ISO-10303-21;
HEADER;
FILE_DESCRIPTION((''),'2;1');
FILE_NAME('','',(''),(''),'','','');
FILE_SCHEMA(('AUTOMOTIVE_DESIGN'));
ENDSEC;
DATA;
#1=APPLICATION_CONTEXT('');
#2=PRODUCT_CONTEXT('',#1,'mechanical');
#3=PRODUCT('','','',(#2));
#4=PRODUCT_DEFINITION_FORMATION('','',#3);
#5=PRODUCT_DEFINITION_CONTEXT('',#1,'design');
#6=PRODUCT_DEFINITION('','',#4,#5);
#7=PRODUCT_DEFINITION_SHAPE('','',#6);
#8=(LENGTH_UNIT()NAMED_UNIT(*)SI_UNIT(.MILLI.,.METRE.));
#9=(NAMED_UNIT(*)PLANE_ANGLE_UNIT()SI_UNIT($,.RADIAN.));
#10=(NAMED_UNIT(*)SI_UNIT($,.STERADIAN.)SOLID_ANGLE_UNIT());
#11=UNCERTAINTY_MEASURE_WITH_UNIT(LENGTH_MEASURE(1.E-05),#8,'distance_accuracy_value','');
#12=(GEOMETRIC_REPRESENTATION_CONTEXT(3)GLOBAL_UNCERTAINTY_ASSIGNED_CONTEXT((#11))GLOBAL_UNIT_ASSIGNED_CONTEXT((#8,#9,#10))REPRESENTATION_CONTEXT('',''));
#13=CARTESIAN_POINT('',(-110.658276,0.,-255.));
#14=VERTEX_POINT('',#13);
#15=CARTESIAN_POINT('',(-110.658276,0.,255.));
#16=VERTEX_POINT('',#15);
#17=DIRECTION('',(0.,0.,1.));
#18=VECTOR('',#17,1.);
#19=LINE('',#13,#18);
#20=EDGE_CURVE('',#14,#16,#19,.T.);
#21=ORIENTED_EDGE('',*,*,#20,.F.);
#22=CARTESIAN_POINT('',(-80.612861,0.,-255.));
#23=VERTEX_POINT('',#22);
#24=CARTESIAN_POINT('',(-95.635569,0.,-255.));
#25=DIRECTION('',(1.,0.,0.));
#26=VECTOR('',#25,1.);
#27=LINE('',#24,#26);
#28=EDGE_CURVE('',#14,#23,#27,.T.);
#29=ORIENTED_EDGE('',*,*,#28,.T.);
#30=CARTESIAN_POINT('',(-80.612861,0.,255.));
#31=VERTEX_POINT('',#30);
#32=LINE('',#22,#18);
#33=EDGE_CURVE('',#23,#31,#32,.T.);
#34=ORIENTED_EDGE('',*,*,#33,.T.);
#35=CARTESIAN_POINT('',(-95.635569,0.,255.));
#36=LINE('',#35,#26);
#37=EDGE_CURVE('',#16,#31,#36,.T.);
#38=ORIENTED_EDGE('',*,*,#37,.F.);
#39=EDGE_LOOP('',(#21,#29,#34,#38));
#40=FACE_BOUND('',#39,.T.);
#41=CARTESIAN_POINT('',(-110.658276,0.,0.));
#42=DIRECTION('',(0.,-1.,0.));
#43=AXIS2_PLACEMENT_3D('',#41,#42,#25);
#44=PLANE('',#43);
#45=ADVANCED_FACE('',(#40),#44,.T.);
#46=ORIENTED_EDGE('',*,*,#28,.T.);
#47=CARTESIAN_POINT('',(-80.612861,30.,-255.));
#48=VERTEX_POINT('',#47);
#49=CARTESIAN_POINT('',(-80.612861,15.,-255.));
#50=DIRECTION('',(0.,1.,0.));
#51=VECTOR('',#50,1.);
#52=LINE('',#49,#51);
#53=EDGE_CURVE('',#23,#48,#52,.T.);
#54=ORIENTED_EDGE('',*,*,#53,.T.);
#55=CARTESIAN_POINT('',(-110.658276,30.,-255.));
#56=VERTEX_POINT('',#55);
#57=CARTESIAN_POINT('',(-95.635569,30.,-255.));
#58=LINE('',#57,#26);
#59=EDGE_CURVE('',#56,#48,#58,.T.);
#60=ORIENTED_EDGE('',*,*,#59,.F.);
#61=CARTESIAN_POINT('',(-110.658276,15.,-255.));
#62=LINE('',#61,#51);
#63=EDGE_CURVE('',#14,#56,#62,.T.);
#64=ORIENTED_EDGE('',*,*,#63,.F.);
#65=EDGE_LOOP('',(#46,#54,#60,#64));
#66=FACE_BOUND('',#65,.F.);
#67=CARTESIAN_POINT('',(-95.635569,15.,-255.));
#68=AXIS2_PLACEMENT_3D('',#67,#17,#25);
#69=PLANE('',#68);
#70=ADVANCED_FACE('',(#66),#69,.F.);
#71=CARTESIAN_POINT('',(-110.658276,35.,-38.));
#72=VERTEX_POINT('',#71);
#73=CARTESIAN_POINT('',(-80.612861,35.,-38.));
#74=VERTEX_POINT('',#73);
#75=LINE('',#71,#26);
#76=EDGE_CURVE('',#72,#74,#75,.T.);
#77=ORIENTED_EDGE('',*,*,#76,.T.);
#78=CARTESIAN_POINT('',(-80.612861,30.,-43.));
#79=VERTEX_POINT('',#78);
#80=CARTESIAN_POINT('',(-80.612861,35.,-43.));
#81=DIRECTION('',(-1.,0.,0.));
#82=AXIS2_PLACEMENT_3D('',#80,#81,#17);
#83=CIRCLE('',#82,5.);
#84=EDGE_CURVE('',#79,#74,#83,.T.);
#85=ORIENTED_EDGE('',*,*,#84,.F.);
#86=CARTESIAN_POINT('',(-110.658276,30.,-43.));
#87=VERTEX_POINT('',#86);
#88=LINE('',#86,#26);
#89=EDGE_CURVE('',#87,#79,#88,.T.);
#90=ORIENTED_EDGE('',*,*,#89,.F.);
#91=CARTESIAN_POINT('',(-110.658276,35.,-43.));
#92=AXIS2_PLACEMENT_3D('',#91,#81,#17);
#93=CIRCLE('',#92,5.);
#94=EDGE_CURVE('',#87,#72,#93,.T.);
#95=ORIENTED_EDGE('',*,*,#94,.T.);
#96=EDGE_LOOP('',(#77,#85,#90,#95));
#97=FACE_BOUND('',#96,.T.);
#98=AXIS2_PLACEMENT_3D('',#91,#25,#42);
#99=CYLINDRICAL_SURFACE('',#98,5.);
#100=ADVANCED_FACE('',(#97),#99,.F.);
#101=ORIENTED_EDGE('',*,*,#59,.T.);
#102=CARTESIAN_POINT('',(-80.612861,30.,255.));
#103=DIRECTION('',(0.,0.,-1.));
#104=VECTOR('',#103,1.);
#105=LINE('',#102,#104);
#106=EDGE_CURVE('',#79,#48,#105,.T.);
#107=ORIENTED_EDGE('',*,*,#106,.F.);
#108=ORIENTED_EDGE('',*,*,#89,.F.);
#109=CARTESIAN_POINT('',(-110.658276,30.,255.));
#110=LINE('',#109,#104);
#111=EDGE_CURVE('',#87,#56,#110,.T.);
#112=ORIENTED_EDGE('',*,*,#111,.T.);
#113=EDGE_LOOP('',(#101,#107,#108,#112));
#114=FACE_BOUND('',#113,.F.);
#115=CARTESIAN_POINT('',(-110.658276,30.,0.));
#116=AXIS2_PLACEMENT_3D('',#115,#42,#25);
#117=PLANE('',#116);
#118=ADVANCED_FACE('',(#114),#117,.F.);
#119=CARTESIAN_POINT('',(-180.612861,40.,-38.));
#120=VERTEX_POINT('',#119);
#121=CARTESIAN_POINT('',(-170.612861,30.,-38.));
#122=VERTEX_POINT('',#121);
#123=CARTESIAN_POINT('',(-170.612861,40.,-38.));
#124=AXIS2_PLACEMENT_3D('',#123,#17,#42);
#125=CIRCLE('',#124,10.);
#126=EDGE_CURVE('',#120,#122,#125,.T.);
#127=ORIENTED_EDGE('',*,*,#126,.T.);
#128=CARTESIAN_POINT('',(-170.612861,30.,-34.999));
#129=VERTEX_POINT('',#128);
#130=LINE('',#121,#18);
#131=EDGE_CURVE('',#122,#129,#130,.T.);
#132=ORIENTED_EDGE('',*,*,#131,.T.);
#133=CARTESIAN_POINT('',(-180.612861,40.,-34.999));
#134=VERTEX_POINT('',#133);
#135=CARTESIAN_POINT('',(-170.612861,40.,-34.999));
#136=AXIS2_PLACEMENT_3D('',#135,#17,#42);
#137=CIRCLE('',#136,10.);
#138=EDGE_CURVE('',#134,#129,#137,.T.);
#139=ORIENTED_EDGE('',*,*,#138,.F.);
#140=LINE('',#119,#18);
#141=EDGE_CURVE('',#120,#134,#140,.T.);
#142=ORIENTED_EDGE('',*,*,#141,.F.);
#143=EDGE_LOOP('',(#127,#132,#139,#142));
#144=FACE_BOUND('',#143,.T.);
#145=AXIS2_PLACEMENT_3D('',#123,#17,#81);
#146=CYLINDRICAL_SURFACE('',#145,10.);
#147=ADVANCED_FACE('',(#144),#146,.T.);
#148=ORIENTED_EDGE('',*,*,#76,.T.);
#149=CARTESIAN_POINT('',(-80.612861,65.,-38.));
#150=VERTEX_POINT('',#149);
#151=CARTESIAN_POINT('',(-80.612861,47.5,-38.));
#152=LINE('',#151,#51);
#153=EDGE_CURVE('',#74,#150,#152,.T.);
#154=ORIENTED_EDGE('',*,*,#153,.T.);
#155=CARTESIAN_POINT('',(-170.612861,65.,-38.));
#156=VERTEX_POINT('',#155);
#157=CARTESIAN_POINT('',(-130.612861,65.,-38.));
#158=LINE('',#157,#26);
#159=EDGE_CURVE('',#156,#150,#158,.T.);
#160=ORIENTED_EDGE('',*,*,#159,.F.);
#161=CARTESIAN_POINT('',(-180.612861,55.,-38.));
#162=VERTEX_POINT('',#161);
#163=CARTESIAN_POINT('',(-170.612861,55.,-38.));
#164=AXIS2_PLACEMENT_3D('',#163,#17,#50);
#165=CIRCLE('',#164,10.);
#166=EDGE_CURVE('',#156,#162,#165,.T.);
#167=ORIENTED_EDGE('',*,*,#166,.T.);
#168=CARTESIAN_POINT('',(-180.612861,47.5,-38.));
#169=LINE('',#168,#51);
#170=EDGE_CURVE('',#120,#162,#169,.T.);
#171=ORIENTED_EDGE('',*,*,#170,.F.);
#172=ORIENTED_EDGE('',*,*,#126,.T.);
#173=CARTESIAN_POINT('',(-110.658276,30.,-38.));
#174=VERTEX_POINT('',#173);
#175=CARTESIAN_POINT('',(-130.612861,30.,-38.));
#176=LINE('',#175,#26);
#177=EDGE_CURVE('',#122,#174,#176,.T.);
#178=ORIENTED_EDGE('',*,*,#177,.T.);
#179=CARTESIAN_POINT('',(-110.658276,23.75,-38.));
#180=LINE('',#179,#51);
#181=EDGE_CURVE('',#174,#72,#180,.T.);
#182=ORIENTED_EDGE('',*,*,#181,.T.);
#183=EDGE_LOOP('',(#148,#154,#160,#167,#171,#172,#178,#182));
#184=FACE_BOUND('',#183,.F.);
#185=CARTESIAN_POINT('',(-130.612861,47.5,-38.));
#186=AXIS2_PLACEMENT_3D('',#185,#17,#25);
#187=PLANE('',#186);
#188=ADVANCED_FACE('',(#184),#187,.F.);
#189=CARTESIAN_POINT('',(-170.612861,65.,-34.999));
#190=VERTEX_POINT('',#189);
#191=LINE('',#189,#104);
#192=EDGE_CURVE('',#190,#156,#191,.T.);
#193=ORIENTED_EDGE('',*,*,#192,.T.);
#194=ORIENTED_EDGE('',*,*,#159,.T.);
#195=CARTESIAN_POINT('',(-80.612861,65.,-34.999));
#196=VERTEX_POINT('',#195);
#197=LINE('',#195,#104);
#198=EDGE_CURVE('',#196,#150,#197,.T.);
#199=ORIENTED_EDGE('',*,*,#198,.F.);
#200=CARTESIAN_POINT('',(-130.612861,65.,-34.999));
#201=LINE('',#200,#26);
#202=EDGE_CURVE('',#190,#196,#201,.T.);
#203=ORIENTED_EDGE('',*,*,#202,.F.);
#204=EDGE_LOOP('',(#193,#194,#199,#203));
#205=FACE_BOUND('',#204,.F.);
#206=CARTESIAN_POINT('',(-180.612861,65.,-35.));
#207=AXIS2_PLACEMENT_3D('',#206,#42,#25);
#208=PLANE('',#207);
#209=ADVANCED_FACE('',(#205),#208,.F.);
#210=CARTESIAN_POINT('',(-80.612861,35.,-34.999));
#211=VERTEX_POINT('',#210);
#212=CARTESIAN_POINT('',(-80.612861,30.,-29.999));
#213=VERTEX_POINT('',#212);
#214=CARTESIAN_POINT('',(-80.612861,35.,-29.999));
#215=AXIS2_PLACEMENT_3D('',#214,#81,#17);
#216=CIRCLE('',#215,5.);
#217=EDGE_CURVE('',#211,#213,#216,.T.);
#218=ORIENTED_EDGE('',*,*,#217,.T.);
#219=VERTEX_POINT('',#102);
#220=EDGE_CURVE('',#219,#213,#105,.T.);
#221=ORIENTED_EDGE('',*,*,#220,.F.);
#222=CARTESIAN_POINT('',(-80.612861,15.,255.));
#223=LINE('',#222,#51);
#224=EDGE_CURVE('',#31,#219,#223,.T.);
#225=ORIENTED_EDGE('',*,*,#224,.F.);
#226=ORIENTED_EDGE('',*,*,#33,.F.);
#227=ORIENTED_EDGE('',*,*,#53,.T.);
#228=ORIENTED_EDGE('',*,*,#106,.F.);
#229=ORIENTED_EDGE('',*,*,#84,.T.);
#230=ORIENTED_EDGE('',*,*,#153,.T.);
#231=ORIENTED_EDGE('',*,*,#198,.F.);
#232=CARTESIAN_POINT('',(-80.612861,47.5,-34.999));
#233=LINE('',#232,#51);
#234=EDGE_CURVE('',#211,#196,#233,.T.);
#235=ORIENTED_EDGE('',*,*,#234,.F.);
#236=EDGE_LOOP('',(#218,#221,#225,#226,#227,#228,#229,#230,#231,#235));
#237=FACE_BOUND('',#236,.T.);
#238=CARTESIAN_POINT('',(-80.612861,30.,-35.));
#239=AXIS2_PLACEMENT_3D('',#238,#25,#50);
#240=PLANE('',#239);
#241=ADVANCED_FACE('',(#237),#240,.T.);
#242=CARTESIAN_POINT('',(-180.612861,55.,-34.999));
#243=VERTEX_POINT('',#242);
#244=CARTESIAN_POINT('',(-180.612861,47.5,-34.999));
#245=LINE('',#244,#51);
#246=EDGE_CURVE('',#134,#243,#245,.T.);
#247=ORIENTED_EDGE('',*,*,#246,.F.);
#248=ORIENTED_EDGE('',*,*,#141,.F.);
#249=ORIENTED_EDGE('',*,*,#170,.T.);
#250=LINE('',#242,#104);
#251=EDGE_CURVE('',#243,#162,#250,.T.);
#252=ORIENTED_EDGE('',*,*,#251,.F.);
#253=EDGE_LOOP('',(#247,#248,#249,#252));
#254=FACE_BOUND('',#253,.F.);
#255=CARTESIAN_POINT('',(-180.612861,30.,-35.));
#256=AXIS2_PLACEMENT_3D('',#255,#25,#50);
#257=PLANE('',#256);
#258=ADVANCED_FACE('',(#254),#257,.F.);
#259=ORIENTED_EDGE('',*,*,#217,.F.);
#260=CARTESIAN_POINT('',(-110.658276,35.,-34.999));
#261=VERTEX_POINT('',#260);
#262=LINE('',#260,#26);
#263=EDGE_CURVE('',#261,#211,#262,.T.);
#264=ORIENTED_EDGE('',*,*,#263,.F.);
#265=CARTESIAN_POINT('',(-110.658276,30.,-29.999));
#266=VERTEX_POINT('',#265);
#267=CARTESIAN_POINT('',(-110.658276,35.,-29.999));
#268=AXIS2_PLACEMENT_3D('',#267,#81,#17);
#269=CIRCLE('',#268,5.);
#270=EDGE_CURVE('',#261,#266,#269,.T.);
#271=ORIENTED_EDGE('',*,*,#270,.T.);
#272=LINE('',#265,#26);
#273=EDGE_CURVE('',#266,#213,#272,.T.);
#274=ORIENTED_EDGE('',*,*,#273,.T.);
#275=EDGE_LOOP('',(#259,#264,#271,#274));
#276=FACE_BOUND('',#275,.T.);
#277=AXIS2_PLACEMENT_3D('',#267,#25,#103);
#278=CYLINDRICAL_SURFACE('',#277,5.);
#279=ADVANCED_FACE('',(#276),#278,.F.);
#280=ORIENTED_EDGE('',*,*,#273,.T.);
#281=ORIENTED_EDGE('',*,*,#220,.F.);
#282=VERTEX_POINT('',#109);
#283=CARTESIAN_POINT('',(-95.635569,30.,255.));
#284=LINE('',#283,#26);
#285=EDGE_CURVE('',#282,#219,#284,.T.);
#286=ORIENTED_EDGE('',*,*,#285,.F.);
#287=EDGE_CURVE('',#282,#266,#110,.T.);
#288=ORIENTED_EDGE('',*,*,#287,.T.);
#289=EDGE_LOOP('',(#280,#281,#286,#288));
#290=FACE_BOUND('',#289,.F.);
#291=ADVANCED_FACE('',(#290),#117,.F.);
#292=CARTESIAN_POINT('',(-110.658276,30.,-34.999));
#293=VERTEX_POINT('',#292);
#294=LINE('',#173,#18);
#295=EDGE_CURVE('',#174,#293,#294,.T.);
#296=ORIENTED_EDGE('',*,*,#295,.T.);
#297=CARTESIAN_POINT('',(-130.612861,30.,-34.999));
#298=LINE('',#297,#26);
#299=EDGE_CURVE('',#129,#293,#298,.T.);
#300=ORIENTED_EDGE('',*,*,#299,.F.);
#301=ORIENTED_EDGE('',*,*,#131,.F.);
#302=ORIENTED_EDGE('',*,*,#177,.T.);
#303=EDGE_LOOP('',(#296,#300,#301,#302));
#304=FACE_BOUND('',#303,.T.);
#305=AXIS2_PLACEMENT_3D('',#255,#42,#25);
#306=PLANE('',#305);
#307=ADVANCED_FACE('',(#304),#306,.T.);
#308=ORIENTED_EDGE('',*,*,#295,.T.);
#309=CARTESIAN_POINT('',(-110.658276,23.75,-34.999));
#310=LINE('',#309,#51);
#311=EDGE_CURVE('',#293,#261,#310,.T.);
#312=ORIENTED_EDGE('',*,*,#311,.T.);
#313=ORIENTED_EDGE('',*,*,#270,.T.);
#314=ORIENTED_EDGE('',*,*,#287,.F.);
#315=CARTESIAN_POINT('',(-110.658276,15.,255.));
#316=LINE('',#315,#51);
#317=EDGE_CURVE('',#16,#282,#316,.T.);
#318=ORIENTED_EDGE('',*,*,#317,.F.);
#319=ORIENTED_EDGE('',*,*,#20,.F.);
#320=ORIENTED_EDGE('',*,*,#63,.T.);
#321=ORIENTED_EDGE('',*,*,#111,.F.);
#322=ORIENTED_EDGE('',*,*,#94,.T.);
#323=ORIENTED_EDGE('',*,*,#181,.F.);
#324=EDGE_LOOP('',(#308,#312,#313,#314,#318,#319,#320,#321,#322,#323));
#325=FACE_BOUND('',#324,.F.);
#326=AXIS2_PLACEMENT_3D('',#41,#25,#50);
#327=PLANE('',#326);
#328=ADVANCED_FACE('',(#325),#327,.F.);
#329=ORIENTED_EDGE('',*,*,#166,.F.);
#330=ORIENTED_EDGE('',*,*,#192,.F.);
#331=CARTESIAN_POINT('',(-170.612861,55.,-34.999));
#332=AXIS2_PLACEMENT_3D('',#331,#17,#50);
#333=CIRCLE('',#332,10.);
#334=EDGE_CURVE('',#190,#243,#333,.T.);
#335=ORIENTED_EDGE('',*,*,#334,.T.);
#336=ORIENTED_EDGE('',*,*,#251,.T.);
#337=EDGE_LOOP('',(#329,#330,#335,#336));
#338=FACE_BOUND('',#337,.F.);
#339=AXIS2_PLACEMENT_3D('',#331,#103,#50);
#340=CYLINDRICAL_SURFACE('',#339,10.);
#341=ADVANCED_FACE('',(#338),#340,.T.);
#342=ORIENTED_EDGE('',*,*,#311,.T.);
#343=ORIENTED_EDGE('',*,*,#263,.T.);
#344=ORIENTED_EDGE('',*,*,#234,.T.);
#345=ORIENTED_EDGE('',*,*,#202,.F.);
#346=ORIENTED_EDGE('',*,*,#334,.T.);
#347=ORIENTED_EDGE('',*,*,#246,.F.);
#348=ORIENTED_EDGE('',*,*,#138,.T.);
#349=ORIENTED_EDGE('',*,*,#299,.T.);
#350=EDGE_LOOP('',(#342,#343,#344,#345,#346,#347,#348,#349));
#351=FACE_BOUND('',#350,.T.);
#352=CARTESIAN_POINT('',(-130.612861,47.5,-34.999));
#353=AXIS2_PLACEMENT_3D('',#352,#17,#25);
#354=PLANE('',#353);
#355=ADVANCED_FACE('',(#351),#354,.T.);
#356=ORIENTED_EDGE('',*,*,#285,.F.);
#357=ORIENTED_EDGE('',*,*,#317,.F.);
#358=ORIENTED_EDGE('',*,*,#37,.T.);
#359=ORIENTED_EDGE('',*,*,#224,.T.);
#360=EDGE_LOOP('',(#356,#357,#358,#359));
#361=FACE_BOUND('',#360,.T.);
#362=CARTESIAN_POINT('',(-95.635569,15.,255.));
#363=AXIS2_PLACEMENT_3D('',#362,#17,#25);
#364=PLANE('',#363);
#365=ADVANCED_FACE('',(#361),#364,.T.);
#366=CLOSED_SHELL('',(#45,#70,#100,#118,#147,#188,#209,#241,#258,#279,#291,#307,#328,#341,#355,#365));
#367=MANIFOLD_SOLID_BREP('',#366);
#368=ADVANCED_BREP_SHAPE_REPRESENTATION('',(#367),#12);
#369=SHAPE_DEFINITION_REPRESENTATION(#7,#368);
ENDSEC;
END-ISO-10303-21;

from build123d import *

# Parameters (mm, degrees)
ESBO_O2_W                     = 30.045415171
ESBO_O2_H                     = 30
RESSALTO_EXTRUS_O1_DEPTH      = 255
ESBO_O3_W                     = 100
ESBO_O3_H                     = 35
RESSALTO_EXTRUS_O2_DEPTH      = 0.001
RESSALTO_EXTRUS_O2_DEPTH_BACK = 3
FILETE1_R                     = 5
FILETE2_R                     = 10


with BuildPart() as part:
    # Esboço2 → Ressalto-extrusão1 (new body, symmetric)
    with BuildSketch(Plane.XY):
        with Locations((-95.635568537, 15)):
            Rectangle(ESBO_O2_W, ESBO_O2_H)
    extrude(amount=RESSALTO_EXTRUS_O1_DEPTH, both=True)

    # Esboço3 → Ressalto-extrusão2 (add, two sides)
    with BuildSketch(Plane.XY.offset(-35)) as ressalto_extrus_o2_sk:
        with Locations((-130.612860951, 47.5)):
            Rectangle(ESBO_O3_W, ESBO_O3_H)
    extrude(amount=RESSALTO_EXTRUS_O2_DEPTH)
    extrude(ressalto_extrus_o2_sk.sketch, amount=-RESSALTO_EXTRUS_O2_DEPTH_BACK)

    # Filete1
    filete1_edges = [part.edges().sort_by_distance(p)[0] for p in [
        (-95.635568536, 30, -38),
        (-95.635568536, 30, -34.999),
    ]]
    fillet(filete1_edges, radius=FILETE1_R)

    # Filete2
    filete2_edges = [part.edges().sort_by_distance(p)[0] for p in [
        (-180.612860951, 30, -36.4995),
        (-180.612860951, 65, -36.4995),
    ]]
    fillet(filete2_edges, radius=FILETE2_R)


solid = part.part
